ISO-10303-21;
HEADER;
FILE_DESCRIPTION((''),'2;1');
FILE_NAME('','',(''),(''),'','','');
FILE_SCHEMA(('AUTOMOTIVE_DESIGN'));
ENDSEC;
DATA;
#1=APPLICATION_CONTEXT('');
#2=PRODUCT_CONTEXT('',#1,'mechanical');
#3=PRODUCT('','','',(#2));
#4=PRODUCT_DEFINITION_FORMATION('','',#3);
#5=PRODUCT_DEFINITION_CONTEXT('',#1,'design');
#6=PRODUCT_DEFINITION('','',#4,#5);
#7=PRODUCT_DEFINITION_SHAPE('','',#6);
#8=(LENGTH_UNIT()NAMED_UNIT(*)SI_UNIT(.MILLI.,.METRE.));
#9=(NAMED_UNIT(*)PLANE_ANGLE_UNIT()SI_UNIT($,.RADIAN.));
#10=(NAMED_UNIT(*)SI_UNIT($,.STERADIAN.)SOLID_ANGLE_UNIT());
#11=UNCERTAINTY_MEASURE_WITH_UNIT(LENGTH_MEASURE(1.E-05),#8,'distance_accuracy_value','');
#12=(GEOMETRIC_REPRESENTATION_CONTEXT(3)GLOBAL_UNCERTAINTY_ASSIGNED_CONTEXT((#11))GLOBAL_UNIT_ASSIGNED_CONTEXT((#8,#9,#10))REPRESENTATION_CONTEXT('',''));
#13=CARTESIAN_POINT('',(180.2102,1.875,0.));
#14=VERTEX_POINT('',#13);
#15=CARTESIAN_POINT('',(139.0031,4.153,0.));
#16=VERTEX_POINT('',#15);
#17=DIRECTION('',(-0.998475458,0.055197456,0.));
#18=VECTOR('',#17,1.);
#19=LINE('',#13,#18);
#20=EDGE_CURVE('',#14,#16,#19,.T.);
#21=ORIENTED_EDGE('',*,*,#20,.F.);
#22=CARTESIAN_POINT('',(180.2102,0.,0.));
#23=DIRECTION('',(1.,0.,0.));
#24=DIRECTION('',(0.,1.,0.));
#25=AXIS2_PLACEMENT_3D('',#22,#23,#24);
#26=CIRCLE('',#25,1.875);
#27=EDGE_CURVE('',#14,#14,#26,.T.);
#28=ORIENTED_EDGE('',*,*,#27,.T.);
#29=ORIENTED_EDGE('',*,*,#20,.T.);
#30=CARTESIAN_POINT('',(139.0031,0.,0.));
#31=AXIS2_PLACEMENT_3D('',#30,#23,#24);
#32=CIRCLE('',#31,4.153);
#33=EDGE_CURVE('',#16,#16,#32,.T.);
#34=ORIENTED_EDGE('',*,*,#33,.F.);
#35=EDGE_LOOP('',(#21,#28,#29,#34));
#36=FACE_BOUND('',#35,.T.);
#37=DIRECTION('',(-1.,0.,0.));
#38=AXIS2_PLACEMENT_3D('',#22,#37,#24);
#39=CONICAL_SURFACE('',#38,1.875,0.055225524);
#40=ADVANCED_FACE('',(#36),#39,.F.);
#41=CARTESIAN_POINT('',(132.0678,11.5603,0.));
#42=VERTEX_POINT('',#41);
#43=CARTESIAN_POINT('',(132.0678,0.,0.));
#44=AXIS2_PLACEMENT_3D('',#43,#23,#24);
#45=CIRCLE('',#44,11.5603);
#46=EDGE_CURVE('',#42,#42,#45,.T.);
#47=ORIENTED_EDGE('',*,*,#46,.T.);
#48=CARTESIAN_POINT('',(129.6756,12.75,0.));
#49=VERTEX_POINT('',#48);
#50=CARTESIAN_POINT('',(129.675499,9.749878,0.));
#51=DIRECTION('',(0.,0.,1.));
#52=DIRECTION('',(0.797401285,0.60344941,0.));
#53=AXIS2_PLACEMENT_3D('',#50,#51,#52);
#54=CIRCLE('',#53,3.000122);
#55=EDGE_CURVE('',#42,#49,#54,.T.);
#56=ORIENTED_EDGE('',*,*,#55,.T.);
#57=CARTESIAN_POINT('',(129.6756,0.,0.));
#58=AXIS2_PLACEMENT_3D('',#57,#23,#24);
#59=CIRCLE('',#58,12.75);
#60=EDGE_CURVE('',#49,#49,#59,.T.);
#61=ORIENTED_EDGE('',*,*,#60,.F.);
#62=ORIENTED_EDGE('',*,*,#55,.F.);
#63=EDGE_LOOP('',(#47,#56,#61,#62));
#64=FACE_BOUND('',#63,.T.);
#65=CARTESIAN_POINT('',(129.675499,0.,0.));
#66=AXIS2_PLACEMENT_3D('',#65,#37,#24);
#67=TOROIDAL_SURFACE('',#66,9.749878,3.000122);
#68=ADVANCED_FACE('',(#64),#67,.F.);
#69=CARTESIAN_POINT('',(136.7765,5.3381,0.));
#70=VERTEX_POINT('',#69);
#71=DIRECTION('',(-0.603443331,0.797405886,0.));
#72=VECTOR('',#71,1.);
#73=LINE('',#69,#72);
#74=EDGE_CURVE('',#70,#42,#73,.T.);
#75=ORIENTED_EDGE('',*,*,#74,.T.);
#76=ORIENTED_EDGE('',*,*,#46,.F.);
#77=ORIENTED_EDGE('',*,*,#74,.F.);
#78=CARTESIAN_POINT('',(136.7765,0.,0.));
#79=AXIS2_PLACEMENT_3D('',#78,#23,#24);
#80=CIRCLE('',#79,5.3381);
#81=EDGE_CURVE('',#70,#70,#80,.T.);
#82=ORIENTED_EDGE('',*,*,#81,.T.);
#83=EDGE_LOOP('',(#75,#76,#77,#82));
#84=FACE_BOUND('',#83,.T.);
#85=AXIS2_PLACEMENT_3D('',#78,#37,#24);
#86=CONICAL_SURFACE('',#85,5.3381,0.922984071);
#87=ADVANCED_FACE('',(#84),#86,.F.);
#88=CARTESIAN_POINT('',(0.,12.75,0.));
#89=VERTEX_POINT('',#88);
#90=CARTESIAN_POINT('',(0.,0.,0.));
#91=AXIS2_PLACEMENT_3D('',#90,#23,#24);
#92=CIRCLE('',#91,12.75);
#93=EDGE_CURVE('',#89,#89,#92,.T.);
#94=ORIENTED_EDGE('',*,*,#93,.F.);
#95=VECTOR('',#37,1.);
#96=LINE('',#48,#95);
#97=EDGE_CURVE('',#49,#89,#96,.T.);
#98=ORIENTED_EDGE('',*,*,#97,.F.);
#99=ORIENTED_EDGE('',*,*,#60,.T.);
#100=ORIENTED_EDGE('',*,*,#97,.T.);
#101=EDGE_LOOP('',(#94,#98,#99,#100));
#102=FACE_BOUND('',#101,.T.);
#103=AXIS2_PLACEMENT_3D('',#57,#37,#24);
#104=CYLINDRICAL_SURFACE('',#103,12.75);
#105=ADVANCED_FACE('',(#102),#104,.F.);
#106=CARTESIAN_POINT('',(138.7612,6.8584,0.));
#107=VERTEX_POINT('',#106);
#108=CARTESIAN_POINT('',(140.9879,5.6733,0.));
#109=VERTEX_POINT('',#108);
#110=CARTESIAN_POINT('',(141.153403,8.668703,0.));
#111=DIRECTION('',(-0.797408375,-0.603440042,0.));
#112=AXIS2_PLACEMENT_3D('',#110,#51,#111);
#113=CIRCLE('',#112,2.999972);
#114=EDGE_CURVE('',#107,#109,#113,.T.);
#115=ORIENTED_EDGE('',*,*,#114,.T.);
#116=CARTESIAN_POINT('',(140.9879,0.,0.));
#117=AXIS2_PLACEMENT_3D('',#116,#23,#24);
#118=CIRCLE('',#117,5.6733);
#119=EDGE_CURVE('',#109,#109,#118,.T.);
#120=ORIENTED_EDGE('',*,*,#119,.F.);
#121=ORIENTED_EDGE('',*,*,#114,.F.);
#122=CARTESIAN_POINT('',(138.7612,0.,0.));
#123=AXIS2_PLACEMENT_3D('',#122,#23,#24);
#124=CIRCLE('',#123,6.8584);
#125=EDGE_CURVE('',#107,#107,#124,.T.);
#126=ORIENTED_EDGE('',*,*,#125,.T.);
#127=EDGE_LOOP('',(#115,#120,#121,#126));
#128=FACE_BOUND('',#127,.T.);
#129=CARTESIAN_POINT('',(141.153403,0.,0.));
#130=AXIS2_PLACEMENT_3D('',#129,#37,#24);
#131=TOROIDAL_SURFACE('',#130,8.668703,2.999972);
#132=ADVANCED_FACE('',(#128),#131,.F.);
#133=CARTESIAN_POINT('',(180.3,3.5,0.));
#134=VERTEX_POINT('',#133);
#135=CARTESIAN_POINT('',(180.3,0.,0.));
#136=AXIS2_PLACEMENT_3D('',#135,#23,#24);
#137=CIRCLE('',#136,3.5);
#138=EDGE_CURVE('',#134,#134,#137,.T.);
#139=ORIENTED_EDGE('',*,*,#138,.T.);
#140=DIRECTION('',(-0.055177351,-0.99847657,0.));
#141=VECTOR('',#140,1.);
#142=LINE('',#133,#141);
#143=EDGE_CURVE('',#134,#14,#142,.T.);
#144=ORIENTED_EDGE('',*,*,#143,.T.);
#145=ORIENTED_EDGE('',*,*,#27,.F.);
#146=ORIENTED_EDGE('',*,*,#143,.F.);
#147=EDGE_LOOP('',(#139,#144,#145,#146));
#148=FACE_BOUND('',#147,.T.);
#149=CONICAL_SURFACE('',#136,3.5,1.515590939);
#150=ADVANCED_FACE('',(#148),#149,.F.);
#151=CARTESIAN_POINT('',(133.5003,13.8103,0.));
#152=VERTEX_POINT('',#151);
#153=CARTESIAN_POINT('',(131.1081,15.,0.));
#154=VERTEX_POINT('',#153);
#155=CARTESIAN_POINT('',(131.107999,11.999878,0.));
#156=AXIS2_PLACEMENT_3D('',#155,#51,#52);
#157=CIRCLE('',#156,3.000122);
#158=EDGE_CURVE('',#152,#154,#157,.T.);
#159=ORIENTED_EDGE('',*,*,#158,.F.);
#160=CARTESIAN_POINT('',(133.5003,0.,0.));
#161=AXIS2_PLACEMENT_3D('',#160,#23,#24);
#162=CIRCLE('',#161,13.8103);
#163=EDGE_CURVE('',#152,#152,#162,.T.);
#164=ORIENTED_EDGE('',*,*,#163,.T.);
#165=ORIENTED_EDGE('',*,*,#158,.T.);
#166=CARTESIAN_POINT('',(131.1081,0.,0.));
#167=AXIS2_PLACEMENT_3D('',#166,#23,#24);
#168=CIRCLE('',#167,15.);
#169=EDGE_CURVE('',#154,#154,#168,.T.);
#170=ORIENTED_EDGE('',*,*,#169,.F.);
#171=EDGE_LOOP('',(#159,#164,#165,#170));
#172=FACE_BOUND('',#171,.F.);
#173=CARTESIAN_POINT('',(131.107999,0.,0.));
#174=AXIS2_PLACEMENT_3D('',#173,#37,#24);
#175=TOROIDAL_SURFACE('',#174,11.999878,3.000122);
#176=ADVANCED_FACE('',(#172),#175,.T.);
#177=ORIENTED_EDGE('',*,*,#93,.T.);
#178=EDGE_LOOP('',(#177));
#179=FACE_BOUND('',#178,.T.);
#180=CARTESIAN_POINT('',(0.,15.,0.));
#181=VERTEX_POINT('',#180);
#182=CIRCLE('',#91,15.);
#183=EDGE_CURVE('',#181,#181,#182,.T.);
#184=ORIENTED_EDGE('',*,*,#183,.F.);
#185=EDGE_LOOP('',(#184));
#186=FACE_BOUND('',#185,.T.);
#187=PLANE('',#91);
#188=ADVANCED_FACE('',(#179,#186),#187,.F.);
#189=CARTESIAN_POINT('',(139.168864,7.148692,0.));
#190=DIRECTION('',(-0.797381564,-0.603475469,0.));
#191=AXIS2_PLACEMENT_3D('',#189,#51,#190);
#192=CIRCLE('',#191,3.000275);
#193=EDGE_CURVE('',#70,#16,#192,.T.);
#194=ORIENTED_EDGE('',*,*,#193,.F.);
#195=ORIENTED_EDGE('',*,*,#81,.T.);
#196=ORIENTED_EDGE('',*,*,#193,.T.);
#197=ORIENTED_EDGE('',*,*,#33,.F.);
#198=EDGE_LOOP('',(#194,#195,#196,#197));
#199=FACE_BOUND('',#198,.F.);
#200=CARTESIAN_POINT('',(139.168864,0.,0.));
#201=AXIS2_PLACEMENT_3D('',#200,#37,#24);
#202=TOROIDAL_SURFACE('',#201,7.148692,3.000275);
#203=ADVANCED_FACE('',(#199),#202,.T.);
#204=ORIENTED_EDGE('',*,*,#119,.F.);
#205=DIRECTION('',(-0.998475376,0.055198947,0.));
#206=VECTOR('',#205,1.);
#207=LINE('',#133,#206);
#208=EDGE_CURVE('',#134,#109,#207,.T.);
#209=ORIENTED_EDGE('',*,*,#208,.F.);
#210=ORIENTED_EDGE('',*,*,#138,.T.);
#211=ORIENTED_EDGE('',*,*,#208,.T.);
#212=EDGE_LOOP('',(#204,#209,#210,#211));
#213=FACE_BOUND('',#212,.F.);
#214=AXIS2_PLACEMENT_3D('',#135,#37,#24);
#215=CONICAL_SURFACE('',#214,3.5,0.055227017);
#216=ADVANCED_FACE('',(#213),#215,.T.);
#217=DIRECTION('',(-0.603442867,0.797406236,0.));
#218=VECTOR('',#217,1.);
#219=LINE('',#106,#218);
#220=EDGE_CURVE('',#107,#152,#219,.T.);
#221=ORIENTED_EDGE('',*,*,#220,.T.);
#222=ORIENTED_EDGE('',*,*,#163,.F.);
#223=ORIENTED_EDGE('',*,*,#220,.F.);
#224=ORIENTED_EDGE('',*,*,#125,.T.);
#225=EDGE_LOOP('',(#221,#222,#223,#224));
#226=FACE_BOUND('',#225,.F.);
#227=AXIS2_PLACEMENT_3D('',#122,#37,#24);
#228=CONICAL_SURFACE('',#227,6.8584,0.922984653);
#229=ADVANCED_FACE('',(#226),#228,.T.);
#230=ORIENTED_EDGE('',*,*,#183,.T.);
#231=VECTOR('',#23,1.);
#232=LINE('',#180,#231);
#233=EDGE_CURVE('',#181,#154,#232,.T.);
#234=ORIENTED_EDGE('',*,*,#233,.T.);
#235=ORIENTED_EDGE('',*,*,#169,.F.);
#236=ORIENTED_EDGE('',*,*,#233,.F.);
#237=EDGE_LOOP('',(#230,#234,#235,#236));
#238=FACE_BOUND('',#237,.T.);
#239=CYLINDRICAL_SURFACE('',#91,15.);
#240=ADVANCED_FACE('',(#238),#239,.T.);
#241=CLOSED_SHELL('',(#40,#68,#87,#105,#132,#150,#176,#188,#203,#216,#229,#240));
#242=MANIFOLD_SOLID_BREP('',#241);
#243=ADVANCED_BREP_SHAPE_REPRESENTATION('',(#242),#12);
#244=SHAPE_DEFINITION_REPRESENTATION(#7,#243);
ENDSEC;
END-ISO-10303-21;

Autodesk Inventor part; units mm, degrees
ref_plane "YZ Plane" through (0, 0, 0) normal (1, 0, 0) x (0, 1, 0)
ref_plane "XZ Plane" through (0, 0, 0) normal (0, 1, 0) x (-1, 0, 0)
ref_plane "XY Plane" through (0, 0, 0) normal (0, 0, 1) x (1, 0, 0)
sketch "Skizze2" plane through (0, 0, 0) normal (0, 0, 1) x (1, 0, 0)
  line L0 (0, 0) -> (52.5603, 0) construction
  line L1 (0, 12.75) -> (0, 15)
  line L2 (0, 15) -> (131.1081, 15)
  line L3 (129.6756, 12.75) -> (0, 12.75)
  line L4 (0, 12.75) -> (0, 0) construction
  line L5 (180.3, 3.5) -> (140.9879, 5.6733)
  line L6 (138.7612, 6.8584) -> (133.5003, 13.8103)
  line L7 (180.3, 3.5) -> (180.2102, 1.875)
  line L8 (180.2102, 1.875) -> (139.0031, 4.153)
  line L9 (136.7765, 5.3381) -> (132.0678, 11.5603)
  arc A0 (133.5003, 13.8103) -> (131.1081, 15) centre (131.1081, 12) ccw
  arc A1 (138.7612, 6.8584) -> (140.9879, 5.6733) centre (141.1534, 8.6687) ccw
  arc A2 (132.0678, 11.5603) -> (129.6756, 12.75) centre (129.6756, 9.75) ccw
  arc A3 (136.7765, 5.3381) -> (139.0031, 4.153) centre (139.1687, 7.1485) ccw
  point P0 (132.6, 15)
  point P1 (131.1675, 12.75)
  point P2 (139.6, 5.75)
  point P3 (137.6153, 4.2298)
  dimension "d2" = 30
  dimension "d4" = 25.5
  dimension "d5" = 7
  dimension "d6" = 3.75
  dimension "d7" = 40.7
  dimension "d8" = 11.5
  dimension "d9" = 7
  dimension "d10" = 2.5
  dimension "d11" = 180.3
  dimension "d12" = 3
revolve "Umdrehung1" add sketch "Skizze2" angle 360 about axis through (0, 0, 0) along (1, 0, 0)
sketch "Skizze3" plane through (0, 0, 0) normal (-1, 0, 0) x (0, 0, 1)
  circle A0 centre (0, 0) radius 1.875 projected
  arc A1 (0, 12.75) -> (-12.75, 0) centre (0, 0) ccw
  arc A2 (0, 16) -> (-5.7621, 14.9264) centre (0, 0) ccw
  line L0 (0, 0) -> (-25, 0)
  line L1 (-25, 0) -> (-25, 7.5)
  line L2 (-25, 7.5) -> (-5.7621, 14.9264)
  line L3 (0, 0) -> (0, 16)
  circle A3 centre (0, 0) radius 12.75 projected
  dimension "d13" = 25
  dimension "d14" = 16
  dimension "d15" = 7.5
properties part number "P_Spritze_60ml" material "Glas"
